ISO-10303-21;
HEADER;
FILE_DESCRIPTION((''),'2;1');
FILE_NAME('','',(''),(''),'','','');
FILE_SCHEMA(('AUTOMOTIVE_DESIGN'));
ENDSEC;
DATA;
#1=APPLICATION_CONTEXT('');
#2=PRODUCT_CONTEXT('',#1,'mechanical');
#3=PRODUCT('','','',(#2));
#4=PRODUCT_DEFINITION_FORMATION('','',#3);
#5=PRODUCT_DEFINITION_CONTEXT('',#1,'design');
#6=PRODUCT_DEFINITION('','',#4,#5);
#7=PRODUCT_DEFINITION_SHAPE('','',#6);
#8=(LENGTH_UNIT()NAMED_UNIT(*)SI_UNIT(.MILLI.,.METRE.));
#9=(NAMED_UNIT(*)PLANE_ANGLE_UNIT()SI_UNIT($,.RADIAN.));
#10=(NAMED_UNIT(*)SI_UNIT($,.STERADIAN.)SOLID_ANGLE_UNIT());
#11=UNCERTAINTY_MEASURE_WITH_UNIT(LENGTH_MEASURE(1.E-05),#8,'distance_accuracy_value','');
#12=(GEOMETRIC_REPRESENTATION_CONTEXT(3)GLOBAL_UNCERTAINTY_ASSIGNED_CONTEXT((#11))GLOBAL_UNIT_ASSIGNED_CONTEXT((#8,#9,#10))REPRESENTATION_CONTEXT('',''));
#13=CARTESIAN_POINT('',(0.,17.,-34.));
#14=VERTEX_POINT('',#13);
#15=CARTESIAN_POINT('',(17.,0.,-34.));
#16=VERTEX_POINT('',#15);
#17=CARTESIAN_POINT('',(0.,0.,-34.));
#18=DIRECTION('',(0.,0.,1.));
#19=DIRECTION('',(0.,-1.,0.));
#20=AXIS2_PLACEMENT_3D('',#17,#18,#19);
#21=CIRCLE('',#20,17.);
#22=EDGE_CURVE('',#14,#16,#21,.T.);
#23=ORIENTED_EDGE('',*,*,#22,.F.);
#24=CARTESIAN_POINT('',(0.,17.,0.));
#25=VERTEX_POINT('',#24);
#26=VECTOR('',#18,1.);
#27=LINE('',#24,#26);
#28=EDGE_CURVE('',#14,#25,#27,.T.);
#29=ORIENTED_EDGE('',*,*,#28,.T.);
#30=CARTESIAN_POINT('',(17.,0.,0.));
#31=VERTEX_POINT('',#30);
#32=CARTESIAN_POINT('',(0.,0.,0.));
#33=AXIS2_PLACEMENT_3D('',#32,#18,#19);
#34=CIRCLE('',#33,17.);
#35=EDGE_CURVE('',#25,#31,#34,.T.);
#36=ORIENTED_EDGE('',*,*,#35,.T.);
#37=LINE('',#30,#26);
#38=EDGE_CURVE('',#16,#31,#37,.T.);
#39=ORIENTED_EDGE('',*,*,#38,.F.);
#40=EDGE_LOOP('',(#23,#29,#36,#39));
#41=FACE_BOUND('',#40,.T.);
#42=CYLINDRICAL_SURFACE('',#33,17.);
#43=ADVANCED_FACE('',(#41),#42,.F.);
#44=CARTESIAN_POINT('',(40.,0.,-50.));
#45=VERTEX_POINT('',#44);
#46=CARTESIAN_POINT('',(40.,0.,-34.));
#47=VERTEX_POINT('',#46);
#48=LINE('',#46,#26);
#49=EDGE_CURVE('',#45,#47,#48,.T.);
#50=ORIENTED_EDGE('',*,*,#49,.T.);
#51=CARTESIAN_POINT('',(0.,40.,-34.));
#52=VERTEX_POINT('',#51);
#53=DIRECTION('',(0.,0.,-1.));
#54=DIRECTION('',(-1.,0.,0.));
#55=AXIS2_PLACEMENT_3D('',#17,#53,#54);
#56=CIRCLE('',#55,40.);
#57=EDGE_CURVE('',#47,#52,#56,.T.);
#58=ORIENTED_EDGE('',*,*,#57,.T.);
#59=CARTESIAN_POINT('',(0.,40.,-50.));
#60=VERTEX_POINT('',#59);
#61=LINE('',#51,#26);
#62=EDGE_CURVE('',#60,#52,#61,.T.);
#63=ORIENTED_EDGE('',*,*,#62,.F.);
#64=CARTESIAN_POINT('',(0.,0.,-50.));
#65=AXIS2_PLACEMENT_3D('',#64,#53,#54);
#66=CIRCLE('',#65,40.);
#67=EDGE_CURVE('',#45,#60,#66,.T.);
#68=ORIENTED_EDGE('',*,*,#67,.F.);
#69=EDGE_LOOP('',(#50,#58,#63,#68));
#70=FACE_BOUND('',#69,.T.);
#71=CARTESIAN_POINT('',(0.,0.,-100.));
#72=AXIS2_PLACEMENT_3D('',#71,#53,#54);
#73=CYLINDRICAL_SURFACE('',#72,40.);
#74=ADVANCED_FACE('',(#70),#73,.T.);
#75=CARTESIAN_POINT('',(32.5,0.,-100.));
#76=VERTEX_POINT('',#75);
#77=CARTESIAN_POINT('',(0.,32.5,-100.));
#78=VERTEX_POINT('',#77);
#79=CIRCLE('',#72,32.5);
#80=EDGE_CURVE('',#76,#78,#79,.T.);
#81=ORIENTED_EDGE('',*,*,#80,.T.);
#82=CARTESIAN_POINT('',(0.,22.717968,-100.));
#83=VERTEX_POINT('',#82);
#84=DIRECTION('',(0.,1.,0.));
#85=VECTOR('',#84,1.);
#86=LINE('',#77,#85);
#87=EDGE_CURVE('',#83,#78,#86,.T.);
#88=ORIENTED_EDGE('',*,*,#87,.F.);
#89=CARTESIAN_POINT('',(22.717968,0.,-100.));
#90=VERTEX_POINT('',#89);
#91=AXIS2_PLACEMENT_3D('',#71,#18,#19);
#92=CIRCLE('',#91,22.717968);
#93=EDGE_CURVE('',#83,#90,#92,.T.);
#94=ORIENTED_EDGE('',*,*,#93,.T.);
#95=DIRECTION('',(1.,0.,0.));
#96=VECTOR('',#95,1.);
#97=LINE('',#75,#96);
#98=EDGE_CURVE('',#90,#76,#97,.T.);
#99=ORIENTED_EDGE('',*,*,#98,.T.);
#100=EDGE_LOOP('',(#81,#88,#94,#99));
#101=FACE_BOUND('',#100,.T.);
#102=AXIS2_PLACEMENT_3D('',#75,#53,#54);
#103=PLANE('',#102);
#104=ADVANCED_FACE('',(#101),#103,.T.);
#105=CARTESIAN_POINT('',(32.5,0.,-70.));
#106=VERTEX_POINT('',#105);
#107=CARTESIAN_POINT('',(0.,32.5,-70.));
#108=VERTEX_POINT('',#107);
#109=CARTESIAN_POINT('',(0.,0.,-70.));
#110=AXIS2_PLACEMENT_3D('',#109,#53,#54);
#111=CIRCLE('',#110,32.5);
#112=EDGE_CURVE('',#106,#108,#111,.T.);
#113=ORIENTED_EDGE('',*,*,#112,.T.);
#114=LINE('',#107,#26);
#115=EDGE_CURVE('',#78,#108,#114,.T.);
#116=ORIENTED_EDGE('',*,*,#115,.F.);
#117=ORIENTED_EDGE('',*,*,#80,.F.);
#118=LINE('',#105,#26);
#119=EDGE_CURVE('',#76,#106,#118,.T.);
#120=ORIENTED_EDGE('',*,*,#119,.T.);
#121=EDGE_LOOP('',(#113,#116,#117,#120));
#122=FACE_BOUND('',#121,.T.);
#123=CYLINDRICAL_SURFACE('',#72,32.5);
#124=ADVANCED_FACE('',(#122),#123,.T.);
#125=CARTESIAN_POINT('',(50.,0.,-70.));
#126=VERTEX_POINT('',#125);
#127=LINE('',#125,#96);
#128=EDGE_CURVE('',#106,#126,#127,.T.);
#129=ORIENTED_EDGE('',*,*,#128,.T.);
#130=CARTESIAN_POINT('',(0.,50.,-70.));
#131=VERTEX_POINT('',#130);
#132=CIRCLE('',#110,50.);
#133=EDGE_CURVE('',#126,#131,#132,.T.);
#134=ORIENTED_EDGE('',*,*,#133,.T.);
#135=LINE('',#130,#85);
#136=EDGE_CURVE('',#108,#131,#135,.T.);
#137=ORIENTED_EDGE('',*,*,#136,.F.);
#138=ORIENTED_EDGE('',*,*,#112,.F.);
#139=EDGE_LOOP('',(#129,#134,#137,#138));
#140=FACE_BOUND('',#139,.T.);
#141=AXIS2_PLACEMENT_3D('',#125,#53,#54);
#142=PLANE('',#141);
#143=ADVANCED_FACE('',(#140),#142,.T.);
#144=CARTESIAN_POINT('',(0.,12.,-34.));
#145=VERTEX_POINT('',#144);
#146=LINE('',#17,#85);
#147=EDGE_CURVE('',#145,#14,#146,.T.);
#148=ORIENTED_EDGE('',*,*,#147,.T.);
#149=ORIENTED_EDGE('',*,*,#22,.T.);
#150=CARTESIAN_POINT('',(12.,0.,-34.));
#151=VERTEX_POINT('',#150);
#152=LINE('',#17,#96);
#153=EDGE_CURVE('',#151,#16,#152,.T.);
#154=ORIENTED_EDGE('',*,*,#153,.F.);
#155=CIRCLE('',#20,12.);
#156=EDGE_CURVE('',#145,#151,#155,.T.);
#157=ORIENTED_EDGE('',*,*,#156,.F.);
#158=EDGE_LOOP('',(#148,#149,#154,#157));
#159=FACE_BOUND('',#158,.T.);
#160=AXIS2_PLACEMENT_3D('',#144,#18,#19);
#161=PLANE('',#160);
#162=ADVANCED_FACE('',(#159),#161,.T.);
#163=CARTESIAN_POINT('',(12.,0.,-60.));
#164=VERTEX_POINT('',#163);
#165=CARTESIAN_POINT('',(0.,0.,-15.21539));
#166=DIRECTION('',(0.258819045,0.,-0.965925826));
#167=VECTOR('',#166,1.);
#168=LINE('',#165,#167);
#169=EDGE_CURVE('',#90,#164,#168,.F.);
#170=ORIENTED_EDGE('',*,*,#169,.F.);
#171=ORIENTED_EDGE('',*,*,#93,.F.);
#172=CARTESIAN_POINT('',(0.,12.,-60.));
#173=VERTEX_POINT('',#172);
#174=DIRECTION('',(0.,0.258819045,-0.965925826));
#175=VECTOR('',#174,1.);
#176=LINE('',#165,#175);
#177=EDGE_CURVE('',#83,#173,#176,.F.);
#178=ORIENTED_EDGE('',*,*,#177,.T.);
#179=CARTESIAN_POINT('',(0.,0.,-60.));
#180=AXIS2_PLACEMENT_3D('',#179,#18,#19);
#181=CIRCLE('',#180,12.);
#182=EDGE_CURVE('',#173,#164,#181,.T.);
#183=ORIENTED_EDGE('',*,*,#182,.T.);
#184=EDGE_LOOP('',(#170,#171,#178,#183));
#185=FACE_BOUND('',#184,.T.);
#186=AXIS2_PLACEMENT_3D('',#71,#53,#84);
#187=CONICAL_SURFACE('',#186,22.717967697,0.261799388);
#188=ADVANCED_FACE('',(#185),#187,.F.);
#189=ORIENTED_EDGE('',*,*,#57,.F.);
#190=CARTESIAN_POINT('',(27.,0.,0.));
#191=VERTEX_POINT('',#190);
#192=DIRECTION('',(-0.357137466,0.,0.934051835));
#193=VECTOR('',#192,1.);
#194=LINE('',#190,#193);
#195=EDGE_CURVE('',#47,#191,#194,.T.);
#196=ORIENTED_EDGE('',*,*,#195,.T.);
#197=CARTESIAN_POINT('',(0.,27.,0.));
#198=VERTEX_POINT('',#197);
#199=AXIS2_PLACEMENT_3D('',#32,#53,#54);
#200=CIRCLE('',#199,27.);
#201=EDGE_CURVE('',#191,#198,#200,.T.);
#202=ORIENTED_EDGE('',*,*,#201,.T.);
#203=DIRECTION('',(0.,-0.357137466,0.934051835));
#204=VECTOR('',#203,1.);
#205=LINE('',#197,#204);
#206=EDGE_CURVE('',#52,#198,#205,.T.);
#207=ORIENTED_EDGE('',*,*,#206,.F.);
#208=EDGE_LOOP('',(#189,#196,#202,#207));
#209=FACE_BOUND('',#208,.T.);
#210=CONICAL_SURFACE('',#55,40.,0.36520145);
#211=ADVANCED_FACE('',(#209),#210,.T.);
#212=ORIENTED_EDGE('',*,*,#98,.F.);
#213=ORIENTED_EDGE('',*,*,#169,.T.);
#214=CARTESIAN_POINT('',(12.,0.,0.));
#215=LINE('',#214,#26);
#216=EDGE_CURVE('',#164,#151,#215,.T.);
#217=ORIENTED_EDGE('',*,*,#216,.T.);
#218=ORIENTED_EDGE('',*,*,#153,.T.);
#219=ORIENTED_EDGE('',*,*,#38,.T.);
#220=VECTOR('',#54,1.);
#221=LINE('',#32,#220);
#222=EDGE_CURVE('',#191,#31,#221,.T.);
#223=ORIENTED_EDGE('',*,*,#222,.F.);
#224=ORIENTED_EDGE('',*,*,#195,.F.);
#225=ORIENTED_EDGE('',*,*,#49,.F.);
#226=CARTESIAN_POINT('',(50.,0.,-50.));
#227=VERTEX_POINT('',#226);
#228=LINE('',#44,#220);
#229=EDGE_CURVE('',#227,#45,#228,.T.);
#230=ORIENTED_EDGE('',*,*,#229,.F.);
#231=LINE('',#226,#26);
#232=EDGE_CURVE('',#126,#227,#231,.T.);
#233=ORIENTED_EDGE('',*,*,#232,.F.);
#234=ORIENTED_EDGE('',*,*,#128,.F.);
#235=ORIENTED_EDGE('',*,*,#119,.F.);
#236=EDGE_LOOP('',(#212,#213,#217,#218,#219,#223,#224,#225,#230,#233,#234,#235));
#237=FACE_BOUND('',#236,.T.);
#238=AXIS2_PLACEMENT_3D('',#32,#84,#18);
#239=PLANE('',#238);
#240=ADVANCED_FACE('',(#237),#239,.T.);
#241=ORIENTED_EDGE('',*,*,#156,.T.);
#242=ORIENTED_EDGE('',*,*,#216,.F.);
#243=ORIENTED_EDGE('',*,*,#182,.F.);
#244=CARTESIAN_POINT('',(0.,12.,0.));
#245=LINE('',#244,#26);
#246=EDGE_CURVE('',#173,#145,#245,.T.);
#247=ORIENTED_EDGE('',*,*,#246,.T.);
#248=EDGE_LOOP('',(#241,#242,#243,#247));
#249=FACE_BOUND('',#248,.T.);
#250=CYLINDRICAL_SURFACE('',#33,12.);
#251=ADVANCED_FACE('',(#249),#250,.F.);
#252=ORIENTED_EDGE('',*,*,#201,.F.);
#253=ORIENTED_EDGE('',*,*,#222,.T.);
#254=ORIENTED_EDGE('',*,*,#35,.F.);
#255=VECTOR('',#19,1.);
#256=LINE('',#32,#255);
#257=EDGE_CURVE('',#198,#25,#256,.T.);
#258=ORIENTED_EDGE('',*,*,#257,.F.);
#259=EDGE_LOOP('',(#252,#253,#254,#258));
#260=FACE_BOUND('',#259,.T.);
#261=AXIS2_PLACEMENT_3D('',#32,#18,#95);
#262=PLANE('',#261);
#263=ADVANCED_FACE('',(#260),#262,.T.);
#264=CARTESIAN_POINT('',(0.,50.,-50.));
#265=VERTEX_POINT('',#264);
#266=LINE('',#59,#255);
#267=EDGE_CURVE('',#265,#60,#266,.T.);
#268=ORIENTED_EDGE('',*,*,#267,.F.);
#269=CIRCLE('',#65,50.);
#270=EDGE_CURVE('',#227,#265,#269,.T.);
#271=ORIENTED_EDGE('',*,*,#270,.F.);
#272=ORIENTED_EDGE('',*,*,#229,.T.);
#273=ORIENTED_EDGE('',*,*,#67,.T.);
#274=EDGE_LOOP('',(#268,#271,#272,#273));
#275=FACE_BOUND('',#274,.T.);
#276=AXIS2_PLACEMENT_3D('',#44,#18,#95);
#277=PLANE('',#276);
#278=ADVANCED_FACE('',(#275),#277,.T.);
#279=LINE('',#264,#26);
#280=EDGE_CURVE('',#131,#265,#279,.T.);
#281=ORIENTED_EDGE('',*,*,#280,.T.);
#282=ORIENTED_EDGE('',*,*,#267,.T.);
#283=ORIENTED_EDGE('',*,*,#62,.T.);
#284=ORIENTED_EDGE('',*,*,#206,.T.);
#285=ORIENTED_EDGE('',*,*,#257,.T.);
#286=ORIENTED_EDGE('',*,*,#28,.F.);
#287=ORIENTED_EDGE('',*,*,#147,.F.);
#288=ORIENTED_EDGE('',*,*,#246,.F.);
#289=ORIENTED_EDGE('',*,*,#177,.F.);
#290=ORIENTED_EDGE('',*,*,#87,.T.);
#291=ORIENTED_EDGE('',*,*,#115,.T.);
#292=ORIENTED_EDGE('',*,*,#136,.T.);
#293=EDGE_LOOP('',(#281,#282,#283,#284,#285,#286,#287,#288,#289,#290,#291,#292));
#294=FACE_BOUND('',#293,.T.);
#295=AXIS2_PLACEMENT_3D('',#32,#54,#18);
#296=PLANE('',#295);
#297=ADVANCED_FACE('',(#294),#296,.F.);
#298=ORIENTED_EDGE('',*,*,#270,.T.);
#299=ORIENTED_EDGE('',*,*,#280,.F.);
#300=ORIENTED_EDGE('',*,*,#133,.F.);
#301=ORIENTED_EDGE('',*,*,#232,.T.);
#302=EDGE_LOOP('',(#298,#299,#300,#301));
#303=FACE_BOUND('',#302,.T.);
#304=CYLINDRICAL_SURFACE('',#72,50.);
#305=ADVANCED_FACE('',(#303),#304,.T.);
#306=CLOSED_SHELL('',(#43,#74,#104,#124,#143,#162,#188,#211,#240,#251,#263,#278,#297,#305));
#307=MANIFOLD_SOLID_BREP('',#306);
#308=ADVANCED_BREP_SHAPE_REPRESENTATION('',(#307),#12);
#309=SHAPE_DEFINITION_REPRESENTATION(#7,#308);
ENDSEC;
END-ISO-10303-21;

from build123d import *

# Parameters (mm, degrees)
REVOLVE1_ANGLE = 270


with BuildPart() as part:
    # Sketch1 → Revolve1 (revolve)
    with BuildSketch(Plane(origin=(0, 0, 0), x_dir=(0, 0, -1), z_dir=(1, 0, 0))):
        Polygon((0, 0), (0, 27), (34, 40), (50, 40), (50, 50), (70, 50), (70, 32.5), (100, 32.5), (100, 0), align=None)
    revolve(axis=Axis((0, 0, -100), (0, 0, 1)), revolution_arc=REVOLVE1_ANGLE)

    # Sketch3 → Cut-Revolve1 (revolve, cut)
    with BuildSketch(Plane(origin=(0, 0, 0), x_dir=(0, 0, -1), z_dir=(1, 0, 0))):
        Polygon((0, 17), (0, 0), (100, 0), (100, 22.717967697), (60, 12), (34, 12), (34, 17), align=None)
    revolve(axis=Axis((0, 0, 0), (0, 0, -1)), mode=Mode.SUBTRACT)


solid = part.part
